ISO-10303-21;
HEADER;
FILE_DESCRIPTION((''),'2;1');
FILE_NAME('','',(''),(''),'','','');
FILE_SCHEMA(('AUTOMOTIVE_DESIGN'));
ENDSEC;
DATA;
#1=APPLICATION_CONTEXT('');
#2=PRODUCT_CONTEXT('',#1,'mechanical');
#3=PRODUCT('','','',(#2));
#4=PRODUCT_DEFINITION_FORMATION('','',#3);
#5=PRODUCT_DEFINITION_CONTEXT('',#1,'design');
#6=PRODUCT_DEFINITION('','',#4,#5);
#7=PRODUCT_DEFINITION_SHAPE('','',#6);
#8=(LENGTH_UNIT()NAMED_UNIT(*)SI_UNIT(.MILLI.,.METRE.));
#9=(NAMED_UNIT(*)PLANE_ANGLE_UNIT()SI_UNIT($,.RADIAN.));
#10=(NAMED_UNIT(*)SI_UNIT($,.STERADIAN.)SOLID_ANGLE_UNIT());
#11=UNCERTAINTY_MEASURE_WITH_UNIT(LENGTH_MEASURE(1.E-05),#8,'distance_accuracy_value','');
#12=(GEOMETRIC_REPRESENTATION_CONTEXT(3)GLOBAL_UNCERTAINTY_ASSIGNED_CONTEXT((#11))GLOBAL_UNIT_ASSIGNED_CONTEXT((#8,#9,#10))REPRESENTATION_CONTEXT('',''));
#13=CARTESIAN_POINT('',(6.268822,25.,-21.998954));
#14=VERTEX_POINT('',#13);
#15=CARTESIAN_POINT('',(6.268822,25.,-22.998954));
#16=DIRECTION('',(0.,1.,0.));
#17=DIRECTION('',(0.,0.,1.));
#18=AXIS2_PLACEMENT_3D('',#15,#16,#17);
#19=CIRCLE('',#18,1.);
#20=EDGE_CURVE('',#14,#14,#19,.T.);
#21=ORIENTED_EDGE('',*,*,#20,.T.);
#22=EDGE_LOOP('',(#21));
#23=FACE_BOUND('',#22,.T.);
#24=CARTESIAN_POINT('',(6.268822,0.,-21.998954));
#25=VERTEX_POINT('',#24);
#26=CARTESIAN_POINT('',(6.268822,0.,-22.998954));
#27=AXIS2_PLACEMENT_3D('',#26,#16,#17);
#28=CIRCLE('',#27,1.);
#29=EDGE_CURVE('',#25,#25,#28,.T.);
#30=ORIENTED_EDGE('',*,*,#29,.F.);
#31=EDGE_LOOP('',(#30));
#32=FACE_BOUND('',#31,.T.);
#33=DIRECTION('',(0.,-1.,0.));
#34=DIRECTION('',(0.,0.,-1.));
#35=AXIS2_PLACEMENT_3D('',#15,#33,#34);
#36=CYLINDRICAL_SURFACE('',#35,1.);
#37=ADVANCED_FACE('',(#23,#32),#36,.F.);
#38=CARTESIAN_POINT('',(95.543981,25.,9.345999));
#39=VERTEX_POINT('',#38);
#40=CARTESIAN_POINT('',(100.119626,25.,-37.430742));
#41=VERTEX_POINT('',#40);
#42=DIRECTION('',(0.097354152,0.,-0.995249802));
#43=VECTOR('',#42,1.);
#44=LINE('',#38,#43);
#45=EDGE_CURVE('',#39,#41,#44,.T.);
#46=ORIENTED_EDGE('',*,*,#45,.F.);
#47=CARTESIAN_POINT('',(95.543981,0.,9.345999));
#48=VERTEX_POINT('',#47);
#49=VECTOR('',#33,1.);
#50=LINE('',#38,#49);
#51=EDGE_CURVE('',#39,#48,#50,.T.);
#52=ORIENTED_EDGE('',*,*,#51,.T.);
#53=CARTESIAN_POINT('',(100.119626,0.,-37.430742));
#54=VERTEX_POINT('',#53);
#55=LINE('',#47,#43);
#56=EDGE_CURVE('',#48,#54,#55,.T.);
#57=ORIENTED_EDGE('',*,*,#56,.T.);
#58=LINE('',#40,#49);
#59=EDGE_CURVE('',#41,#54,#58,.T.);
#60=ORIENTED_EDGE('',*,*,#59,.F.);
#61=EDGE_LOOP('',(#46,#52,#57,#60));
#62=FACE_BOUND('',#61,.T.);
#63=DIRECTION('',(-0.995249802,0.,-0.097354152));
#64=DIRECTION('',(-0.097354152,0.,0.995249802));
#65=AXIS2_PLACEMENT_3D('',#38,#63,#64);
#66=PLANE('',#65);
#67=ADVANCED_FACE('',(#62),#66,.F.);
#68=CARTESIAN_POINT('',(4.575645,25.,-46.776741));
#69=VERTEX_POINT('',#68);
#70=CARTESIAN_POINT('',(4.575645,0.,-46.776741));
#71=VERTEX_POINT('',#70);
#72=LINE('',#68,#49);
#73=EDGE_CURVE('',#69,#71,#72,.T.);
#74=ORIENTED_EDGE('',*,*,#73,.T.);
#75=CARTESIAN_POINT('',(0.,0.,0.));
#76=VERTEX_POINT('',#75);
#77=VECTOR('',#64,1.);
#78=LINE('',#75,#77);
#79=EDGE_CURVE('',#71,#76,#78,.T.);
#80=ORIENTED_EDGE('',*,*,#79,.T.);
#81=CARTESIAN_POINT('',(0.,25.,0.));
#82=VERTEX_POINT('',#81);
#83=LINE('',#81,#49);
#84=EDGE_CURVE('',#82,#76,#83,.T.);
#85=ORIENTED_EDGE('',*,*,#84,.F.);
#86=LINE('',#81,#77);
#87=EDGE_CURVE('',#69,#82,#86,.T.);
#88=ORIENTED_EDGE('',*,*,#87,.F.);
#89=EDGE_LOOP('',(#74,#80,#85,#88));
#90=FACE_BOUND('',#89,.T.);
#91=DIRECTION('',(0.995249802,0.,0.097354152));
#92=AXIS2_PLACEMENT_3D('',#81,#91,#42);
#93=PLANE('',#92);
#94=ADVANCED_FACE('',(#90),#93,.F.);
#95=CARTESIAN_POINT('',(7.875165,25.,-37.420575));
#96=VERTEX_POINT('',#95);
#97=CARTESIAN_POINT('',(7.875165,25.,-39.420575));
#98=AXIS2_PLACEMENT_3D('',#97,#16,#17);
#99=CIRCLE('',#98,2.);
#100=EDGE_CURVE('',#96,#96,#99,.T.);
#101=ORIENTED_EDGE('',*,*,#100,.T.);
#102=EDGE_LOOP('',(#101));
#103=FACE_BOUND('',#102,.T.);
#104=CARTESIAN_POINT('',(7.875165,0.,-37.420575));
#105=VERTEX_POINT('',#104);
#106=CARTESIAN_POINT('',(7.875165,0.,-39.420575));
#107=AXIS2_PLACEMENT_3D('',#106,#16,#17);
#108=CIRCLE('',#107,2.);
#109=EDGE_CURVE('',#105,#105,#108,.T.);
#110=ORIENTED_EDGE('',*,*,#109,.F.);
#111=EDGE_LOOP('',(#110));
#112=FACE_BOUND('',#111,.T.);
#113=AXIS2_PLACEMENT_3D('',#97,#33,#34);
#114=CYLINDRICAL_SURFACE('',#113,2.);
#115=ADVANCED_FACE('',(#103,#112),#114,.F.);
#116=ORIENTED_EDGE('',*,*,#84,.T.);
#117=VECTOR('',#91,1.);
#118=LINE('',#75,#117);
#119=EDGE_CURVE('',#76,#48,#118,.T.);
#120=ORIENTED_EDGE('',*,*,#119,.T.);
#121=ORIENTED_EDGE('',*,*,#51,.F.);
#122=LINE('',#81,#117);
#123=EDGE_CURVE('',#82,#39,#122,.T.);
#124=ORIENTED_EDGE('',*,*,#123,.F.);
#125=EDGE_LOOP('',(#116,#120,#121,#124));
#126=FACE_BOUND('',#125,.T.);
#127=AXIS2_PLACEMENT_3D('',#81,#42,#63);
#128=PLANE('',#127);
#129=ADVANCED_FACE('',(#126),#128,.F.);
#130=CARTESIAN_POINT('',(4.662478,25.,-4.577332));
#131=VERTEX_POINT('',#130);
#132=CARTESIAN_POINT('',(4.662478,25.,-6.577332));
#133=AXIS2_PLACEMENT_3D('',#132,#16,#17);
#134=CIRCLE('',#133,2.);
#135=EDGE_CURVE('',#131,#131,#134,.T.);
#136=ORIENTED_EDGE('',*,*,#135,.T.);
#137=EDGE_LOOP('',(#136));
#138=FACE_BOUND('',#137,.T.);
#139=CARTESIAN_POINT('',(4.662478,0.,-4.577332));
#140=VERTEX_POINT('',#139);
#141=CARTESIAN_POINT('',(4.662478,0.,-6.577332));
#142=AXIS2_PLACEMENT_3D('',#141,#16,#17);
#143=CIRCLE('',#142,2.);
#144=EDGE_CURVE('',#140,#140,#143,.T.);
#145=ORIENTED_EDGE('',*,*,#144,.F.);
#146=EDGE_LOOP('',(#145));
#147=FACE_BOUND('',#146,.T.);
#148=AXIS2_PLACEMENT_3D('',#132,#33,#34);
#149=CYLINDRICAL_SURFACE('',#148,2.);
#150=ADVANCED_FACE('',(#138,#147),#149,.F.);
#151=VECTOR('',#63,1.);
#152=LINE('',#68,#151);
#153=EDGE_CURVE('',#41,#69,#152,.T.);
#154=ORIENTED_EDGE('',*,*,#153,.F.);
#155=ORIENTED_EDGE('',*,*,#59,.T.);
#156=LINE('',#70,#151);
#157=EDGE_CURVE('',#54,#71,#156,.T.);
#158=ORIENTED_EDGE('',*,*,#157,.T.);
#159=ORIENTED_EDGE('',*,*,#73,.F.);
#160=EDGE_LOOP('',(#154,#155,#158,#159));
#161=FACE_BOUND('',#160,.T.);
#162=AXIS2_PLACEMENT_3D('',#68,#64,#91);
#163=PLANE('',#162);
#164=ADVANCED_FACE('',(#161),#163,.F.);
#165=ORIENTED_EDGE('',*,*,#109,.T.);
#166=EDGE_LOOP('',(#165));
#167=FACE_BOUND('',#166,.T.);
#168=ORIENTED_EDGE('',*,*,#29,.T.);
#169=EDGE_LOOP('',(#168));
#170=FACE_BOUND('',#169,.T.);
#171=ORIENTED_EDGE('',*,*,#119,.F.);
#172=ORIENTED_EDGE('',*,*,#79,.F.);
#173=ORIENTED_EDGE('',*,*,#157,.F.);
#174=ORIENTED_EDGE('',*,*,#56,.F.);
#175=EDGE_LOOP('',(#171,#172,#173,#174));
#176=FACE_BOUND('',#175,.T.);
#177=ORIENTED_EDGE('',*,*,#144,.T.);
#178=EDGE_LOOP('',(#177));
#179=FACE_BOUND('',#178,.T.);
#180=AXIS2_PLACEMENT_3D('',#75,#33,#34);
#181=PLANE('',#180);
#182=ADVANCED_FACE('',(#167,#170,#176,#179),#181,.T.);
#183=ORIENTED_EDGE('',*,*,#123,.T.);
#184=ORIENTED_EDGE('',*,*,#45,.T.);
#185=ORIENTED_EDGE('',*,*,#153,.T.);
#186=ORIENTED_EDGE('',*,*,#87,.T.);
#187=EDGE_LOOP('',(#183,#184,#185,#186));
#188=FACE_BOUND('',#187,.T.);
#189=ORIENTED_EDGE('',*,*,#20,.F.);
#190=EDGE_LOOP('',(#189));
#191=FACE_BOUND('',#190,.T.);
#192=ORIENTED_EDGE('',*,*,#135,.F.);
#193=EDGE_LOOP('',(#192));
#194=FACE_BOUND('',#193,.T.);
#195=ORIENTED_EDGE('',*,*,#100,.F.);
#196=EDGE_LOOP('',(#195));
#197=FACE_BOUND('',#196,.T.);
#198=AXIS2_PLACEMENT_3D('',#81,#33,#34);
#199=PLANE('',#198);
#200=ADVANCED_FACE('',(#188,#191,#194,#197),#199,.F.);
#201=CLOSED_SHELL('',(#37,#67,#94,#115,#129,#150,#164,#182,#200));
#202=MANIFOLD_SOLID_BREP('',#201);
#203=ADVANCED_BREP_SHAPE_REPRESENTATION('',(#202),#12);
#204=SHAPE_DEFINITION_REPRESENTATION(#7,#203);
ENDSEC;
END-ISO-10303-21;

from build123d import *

# Parameters (mm, degrees)
SKETCH_1_R      = 2
SKETCH_1_R_2    = 1
EXTRUDE_1_DEPTH = 25


with BuildPart() as part:
    # Эскиз1 → Бобышка-Вытянуть1 (new body)
    with BuildSketch(Plane(origin=(0, 0, 0), x_dir=(1, 0, 0), z_dir=(0, 1, 0))):
        Polygon((0, 0), (95.543981023, -9.345998627), (100.119626184, 37.430742082), (4.575645161, 46.776740709), align=None)
        with Locations(Location((4.662478276, 6.577332007, 0), (0, 0, 270))):
            Circle(SKETCH_1_R, mode=Mode.SUBTRACT)
        with Locations(Location((7.875165304, 39.420575483, 0), (0, 0, 270))):
            Circle(SKETCH_1_R, mode=Mode.SUBTRACT)
        with Locations(Location((6.26882179, 22.998953745, 0), (0, 0, 270))):
            Circle(SKETCH_1_R_2, mode=Mode.SUBTRACT)
    extrude(amount=EXTRUDE_1_DEPTH)


solid = part.part
